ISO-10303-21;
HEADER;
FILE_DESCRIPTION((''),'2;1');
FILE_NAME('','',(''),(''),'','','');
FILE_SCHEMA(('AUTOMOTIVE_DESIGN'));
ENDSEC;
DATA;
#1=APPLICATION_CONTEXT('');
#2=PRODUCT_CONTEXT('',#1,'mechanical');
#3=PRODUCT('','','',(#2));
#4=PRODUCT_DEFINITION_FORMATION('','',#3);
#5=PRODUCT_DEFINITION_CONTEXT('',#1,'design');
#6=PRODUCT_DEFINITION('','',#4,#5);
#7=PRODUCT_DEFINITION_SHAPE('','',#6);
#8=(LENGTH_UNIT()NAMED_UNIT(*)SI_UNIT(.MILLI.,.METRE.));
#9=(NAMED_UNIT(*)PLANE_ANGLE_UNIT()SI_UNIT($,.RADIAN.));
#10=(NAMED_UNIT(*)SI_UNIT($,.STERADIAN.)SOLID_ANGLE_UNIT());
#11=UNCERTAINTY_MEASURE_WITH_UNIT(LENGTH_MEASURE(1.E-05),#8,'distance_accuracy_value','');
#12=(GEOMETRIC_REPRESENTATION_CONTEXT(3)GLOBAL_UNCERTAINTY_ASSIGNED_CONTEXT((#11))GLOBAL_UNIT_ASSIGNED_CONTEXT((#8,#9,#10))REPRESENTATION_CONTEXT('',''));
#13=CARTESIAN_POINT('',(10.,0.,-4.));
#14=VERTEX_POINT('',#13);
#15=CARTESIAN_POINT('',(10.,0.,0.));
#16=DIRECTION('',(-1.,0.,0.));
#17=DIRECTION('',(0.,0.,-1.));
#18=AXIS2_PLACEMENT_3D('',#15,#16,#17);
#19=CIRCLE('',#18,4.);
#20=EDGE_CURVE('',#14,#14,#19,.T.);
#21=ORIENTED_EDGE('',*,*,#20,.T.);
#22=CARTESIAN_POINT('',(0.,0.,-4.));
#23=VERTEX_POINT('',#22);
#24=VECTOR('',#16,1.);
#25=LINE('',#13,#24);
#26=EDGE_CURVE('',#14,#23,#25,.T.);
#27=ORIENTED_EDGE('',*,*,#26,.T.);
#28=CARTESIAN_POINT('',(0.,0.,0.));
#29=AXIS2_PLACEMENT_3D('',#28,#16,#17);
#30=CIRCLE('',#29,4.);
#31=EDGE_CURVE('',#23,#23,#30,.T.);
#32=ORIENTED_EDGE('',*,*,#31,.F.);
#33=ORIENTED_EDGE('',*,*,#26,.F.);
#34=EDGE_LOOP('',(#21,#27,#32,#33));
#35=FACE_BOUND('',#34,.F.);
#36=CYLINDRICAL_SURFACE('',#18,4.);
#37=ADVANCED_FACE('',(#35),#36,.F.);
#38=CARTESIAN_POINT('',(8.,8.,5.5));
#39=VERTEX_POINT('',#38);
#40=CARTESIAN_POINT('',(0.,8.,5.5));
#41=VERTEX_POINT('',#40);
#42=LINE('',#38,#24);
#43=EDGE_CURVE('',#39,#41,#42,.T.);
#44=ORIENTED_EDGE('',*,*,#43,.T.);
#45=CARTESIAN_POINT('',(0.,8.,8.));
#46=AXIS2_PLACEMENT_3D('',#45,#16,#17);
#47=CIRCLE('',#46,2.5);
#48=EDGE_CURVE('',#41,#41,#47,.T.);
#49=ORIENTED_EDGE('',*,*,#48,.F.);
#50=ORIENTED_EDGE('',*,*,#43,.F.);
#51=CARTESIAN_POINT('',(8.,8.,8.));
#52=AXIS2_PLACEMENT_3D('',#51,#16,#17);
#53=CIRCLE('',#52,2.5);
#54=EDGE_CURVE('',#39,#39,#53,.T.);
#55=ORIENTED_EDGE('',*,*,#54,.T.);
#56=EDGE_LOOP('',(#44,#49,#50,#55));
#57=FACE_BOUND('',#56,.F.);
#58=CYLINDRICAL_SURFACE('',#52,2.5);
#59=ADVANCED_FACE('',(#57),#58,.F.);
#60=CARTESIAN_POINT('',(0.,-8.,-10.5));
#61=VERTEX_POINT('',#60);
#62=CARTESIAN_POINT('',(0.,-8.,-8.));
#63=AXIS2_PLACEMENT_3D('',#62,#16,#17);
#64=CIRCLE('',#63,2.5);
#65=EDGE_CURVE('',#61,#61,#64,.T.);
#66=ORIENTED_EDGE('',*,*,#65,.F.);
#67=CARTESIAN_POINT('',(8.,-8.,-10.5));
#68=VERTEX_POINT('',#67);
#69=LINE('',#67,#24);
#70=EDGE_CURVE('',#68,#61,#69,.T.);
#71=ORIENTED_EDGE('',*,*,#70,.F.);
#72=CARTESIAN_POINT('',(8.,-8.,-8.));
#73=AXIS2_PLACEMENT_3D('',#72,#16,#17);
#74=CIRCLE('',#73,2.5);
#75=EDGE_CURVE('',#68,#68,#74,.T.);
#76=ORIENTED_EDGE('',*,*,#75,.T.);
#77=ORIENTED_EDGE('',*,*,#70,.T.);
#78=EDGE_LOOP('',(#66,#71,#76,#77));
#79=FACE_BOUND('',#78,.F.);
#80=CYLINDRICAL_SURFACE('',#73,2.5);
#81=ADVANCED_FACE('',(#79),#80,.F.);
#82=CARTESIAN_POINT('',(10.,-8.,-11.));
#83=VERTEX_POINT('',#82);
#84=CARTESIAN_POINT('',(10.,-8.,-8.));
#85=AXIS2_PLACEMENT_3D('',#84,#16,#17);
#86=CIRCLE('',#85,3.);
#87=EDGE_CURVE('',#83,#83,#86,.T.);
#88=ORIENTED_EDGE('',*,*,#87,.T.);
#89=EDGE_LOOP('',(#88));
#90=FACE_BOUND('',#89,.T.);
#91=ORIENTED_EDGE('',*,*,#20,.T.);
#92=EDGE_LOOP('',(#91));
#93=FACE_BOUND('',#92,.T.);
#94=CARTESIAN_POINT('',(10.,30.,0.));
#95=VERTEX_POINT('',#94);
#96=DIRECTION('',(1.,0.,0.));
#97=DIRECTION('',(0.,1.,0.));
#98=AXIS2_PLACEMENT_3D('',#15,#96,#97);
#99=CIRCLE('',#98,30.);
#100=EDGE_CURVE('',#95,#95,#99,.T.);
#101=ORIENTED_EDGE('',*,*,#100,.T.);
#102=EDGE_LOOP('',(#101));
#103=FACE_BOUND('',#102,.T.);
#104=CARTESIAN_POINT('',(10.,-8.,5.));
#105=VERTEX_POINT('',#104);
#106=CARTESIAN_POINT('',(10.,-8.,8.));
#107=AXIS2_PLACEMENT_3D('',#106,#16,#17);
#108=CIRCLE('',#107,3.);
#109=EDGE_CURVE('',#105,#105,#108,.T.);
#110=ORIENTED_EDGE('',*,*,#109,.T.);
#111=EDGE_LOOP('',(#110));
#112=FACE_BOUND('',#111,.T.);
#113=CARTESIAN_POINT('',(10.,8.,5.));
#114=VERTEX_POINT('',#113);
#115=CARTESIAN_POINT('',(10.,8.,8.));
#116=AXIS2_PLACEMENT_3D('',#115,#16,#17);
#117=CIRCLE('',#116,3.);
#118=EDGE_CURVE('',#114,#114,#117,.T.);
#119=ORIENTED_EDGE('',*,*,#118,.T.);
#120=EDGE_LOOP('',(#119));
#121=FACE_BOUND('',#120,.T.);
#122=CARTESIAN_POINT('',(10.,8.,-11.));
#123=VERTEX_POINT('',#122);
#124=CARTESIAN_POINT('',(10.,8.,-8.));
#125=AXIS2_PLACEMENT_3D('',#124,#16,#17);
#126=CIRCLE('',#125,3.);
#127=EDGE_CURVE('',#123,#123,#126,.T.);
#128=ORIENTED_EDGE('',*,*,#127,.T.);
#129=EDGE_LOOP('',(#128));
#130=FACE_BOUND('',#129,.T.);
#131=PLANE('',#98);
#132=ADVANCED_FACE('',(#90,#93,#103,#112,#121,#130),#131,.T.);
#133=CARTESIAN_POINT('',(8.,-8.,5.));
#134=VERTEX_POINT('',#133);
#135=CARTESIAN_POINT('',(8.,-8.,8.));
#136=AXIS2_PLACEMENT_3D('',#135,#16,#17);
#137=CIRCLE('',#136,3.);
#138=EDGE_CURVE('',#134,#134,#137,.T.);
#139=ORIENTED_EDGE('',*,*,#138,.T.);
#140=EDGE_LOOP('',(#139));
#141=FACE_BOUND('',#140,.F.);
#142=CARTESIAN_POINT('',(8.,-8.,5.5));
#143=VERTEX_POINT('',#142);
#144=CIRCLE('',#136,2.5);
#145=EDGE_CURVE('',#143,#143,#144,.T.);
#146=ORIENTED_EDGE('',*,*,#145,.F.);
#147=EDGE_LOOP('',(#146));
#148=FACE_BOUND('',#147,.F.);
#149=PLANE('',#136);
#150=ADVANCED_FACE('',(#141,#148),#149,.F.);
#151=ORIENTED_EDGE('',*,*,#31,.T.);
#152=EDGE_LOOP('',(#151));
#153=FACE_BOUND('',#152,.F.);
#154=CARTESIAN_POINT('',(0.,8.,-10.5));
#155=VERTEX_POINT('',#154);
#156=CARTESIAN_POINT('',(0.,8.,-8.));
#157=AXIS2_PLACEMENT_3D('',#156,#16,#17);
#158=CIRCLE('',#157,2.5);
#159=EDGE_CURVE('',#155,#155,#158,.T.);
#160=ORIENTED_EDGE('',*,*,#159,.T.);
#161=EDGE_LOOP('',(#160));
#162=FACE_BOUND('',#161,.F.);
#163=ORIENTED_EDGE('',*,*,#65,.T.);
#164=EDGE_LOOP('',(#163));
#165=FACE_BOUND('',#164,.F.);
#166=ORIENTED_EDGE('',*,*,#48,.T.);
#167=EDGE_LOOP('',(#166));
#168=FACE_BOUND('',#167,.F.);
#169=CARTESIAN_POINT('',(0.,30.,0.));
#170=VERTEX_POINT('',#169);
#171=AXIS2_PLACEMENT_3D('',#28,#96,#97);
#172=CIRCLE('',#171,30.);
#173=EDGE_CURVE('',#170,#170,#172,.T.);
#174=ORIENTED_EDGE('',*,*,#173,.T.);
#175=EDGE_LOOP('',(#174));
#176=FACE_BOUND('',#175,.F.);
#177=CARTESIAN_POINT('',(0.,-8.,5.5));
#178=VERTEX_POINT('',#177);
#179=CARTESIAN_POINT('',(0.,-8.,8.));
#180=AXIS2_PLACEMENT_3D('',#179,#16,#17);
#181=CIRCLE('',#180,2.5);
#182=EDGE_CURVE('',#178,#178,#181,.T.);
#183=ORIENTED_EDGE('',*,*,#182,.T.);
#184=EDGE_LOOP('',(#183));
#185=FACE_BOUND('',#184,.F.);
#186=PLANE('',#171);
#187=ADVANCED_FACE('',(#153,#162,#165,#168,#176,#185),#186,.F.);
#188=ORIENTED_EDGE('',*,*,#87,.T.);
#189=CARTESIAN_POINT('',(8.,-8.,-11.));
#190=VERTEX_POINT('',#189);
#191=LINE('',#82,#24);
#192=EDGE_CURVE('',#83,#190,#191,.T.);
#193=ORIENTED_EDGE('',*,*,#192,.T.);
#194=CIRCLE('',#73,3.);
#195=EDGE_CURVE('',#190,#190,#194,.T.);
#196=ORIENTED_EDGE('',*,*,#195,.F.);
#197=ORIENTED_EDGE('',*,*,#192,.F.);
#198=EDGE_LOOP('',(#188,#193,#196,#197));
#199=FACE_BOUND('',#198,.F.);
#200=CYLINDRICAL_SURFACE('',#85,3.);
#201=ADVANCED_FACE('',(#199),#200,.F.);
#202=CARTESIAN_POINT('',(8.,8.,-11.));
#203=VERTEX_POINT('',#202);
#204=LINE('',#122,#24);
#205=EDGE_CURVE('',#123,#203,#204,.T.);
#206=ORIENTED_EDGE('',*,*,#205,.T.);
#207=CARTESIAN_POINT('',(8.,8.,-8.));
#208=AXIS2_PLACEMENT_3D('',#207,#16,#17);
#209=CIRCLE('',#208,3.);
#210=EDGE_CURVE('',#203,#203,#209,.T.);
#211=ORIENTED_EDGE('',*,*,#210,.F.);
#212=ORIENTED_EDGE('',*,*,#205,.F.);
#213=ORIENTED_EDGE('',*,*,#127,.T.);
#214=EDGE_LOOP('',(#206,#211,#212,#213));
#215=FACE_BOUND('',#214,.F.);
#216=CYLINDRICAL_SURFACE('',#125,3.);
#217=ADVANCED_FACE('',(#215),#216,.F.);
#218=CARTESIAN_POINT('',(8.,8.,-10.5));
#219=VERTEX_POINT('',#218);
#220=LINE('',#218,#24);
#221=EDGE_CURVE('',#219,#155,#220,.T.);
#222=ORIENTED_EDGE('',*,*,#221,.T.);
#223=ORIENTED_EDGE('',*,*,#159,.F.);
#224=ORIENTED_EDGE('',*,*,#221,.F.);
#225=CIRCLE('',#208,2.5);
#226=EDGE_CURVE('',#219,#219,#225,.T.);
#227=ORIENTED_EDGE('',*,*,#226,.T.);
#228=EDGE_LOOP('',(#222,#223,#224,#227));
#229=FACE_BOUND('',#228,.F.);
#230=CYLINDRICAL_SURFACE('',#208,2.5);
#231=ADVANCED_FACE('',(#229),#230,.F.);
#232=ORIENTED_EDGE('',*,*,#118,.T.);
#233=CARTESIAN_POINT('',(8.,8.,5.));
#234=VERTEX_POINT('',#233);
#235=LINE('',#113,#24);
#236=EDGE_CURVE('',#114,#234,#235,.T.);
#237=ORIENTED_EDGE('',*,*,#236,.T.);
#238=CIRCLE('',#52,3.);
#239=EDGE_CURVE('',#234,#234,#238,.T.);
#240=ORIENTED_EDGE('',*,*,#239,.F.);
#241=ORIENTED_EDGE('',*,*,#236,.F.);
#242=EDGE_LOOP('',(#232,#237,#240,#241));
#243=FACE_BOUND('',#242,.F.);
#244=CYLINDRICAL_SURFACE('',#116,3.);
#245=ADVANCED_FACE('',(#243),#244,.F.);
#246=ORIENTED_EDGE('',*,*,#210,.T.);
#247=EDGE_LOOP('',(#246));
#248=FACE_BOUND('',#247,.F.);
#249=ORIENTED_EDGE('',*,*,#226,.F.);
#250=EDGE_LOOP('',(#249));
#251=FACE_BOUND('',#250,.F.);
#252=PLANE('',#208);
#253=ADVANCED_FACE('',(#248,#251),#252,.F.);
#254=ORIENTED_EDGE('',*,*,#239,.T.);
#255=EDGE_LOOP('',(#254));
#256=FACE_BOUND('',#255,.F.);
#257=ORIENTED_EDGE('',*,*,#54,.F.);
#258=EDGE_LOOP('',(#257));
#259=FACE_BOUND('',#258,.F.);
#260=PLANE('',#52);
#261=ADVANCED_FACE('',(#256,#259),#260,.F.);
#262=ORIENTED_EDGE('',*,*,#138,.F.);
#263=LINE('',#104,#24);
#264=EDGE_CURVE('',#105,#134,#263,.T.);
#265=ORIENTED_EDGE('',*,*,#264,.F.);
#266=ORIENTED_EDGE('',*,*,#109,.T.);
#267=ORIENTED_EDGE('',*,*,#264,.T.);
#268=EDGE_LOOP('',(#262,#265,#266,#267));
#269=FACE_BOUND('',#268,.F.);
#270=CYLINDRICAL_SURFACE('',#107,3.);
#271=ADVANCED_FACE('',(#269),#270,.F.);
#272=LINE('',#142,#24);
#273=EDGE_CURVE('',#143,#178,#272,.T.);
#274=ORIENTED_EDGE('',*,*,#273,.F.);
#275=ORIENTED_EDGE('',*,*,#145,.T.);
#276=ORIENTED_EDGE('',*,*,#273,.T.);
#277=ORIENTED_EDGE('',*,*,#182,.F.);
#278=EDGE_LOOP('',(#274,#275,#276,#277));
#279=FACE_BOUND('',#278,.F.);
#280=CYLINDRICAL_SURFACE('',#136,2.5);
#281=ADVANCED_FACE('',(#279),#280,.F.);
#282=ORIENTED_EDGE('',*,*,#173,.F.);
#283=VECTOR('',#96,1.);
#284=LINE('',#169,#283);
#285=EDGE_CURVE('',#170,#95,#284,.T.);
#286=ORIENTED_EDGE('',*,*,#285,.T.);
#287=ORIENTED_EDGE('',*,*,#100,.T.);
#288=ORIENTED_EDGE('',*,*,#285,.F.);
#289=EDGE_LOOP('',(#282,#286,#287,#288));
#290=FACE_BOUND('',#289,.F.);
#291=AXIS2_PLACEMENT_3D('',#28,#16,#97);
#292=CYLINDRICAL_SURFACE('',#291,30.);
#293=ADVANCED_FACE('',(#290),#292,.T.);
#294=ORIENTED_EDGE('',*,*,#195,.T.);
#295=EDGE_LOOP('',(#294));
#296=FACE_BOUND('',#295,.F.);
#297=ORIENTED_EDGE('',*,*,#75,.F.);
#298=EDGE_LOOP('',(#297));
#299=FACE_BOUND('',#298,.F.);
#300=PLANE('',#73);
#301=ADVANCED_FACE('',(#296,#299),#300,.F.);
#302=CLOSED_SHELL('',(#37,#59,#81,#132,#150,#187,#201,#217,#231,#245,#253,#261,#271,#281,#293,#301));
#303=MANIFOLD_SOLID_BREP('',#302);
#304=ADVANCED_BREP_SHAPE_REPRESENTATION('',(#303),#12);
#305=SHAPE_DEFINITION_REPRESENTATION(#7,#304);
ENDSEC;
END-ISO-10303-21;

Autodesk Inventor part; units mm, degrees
ref_plane "YZ Plane" through (0, 0, 0) normal (1, 0, 0) x (0, 1, 0)
ref_plane "XZ Plane" through (0, 0, 0) normal (0, 1, 0) x (-1, 0, 0)
ref_plane "XY Plane" through (0, 0, 0) normal (0, 0, 1) x (1, 0, 0)
sketch "Sketch1" plane through (0, 0, 0) normal (1, 0, 0) x (0, 1, 0)
  circle A0 centre (0, 0) radius 30
  circle A1 centre (0, 0) radius 30 projected
  dimension "d0" = 60
  dimension "d22" = 60
extrude "Extrusion1" add sketch "Sketch1" along normal blind 10
sketch "Sketch2" plane through (10, 0, 0) normal (1, 0, 0) x (0, 0, -1)
  point P0 (0, 0)
  point P1 (-8, 8)
  point P2 (8, 8)
  point P3 (8, -8)
  point P4 (-8, -8)
  dimension "d3" = 8
  dimension "d4" = 8
  dimension "d5" = 16
  dimension "d6" = 16
hole "Hole1" at (10, 8, 8) at (10, 8, -8) at (10, -8, -8) at (10, -8, 8) direction (-1, 0, 0) diameter 5 end through all counterbore diameter 6 counterbore depth 2
sketch "Sketch3" plane through (10, 0, 0) normal (1, 0, 0) x (0, 0, -1)
  point P0 (0, 0)
  point P1 (0, 0)
hole "Hole2" at (10, 0, 0) direction (-1, 0, 0) diameter 8 end through all
equation "\"d0\" = d22"
equation "\"d5\" = 2 * d3"
equation "\"d6\" = d5"
properties part number "Tapon 1"
